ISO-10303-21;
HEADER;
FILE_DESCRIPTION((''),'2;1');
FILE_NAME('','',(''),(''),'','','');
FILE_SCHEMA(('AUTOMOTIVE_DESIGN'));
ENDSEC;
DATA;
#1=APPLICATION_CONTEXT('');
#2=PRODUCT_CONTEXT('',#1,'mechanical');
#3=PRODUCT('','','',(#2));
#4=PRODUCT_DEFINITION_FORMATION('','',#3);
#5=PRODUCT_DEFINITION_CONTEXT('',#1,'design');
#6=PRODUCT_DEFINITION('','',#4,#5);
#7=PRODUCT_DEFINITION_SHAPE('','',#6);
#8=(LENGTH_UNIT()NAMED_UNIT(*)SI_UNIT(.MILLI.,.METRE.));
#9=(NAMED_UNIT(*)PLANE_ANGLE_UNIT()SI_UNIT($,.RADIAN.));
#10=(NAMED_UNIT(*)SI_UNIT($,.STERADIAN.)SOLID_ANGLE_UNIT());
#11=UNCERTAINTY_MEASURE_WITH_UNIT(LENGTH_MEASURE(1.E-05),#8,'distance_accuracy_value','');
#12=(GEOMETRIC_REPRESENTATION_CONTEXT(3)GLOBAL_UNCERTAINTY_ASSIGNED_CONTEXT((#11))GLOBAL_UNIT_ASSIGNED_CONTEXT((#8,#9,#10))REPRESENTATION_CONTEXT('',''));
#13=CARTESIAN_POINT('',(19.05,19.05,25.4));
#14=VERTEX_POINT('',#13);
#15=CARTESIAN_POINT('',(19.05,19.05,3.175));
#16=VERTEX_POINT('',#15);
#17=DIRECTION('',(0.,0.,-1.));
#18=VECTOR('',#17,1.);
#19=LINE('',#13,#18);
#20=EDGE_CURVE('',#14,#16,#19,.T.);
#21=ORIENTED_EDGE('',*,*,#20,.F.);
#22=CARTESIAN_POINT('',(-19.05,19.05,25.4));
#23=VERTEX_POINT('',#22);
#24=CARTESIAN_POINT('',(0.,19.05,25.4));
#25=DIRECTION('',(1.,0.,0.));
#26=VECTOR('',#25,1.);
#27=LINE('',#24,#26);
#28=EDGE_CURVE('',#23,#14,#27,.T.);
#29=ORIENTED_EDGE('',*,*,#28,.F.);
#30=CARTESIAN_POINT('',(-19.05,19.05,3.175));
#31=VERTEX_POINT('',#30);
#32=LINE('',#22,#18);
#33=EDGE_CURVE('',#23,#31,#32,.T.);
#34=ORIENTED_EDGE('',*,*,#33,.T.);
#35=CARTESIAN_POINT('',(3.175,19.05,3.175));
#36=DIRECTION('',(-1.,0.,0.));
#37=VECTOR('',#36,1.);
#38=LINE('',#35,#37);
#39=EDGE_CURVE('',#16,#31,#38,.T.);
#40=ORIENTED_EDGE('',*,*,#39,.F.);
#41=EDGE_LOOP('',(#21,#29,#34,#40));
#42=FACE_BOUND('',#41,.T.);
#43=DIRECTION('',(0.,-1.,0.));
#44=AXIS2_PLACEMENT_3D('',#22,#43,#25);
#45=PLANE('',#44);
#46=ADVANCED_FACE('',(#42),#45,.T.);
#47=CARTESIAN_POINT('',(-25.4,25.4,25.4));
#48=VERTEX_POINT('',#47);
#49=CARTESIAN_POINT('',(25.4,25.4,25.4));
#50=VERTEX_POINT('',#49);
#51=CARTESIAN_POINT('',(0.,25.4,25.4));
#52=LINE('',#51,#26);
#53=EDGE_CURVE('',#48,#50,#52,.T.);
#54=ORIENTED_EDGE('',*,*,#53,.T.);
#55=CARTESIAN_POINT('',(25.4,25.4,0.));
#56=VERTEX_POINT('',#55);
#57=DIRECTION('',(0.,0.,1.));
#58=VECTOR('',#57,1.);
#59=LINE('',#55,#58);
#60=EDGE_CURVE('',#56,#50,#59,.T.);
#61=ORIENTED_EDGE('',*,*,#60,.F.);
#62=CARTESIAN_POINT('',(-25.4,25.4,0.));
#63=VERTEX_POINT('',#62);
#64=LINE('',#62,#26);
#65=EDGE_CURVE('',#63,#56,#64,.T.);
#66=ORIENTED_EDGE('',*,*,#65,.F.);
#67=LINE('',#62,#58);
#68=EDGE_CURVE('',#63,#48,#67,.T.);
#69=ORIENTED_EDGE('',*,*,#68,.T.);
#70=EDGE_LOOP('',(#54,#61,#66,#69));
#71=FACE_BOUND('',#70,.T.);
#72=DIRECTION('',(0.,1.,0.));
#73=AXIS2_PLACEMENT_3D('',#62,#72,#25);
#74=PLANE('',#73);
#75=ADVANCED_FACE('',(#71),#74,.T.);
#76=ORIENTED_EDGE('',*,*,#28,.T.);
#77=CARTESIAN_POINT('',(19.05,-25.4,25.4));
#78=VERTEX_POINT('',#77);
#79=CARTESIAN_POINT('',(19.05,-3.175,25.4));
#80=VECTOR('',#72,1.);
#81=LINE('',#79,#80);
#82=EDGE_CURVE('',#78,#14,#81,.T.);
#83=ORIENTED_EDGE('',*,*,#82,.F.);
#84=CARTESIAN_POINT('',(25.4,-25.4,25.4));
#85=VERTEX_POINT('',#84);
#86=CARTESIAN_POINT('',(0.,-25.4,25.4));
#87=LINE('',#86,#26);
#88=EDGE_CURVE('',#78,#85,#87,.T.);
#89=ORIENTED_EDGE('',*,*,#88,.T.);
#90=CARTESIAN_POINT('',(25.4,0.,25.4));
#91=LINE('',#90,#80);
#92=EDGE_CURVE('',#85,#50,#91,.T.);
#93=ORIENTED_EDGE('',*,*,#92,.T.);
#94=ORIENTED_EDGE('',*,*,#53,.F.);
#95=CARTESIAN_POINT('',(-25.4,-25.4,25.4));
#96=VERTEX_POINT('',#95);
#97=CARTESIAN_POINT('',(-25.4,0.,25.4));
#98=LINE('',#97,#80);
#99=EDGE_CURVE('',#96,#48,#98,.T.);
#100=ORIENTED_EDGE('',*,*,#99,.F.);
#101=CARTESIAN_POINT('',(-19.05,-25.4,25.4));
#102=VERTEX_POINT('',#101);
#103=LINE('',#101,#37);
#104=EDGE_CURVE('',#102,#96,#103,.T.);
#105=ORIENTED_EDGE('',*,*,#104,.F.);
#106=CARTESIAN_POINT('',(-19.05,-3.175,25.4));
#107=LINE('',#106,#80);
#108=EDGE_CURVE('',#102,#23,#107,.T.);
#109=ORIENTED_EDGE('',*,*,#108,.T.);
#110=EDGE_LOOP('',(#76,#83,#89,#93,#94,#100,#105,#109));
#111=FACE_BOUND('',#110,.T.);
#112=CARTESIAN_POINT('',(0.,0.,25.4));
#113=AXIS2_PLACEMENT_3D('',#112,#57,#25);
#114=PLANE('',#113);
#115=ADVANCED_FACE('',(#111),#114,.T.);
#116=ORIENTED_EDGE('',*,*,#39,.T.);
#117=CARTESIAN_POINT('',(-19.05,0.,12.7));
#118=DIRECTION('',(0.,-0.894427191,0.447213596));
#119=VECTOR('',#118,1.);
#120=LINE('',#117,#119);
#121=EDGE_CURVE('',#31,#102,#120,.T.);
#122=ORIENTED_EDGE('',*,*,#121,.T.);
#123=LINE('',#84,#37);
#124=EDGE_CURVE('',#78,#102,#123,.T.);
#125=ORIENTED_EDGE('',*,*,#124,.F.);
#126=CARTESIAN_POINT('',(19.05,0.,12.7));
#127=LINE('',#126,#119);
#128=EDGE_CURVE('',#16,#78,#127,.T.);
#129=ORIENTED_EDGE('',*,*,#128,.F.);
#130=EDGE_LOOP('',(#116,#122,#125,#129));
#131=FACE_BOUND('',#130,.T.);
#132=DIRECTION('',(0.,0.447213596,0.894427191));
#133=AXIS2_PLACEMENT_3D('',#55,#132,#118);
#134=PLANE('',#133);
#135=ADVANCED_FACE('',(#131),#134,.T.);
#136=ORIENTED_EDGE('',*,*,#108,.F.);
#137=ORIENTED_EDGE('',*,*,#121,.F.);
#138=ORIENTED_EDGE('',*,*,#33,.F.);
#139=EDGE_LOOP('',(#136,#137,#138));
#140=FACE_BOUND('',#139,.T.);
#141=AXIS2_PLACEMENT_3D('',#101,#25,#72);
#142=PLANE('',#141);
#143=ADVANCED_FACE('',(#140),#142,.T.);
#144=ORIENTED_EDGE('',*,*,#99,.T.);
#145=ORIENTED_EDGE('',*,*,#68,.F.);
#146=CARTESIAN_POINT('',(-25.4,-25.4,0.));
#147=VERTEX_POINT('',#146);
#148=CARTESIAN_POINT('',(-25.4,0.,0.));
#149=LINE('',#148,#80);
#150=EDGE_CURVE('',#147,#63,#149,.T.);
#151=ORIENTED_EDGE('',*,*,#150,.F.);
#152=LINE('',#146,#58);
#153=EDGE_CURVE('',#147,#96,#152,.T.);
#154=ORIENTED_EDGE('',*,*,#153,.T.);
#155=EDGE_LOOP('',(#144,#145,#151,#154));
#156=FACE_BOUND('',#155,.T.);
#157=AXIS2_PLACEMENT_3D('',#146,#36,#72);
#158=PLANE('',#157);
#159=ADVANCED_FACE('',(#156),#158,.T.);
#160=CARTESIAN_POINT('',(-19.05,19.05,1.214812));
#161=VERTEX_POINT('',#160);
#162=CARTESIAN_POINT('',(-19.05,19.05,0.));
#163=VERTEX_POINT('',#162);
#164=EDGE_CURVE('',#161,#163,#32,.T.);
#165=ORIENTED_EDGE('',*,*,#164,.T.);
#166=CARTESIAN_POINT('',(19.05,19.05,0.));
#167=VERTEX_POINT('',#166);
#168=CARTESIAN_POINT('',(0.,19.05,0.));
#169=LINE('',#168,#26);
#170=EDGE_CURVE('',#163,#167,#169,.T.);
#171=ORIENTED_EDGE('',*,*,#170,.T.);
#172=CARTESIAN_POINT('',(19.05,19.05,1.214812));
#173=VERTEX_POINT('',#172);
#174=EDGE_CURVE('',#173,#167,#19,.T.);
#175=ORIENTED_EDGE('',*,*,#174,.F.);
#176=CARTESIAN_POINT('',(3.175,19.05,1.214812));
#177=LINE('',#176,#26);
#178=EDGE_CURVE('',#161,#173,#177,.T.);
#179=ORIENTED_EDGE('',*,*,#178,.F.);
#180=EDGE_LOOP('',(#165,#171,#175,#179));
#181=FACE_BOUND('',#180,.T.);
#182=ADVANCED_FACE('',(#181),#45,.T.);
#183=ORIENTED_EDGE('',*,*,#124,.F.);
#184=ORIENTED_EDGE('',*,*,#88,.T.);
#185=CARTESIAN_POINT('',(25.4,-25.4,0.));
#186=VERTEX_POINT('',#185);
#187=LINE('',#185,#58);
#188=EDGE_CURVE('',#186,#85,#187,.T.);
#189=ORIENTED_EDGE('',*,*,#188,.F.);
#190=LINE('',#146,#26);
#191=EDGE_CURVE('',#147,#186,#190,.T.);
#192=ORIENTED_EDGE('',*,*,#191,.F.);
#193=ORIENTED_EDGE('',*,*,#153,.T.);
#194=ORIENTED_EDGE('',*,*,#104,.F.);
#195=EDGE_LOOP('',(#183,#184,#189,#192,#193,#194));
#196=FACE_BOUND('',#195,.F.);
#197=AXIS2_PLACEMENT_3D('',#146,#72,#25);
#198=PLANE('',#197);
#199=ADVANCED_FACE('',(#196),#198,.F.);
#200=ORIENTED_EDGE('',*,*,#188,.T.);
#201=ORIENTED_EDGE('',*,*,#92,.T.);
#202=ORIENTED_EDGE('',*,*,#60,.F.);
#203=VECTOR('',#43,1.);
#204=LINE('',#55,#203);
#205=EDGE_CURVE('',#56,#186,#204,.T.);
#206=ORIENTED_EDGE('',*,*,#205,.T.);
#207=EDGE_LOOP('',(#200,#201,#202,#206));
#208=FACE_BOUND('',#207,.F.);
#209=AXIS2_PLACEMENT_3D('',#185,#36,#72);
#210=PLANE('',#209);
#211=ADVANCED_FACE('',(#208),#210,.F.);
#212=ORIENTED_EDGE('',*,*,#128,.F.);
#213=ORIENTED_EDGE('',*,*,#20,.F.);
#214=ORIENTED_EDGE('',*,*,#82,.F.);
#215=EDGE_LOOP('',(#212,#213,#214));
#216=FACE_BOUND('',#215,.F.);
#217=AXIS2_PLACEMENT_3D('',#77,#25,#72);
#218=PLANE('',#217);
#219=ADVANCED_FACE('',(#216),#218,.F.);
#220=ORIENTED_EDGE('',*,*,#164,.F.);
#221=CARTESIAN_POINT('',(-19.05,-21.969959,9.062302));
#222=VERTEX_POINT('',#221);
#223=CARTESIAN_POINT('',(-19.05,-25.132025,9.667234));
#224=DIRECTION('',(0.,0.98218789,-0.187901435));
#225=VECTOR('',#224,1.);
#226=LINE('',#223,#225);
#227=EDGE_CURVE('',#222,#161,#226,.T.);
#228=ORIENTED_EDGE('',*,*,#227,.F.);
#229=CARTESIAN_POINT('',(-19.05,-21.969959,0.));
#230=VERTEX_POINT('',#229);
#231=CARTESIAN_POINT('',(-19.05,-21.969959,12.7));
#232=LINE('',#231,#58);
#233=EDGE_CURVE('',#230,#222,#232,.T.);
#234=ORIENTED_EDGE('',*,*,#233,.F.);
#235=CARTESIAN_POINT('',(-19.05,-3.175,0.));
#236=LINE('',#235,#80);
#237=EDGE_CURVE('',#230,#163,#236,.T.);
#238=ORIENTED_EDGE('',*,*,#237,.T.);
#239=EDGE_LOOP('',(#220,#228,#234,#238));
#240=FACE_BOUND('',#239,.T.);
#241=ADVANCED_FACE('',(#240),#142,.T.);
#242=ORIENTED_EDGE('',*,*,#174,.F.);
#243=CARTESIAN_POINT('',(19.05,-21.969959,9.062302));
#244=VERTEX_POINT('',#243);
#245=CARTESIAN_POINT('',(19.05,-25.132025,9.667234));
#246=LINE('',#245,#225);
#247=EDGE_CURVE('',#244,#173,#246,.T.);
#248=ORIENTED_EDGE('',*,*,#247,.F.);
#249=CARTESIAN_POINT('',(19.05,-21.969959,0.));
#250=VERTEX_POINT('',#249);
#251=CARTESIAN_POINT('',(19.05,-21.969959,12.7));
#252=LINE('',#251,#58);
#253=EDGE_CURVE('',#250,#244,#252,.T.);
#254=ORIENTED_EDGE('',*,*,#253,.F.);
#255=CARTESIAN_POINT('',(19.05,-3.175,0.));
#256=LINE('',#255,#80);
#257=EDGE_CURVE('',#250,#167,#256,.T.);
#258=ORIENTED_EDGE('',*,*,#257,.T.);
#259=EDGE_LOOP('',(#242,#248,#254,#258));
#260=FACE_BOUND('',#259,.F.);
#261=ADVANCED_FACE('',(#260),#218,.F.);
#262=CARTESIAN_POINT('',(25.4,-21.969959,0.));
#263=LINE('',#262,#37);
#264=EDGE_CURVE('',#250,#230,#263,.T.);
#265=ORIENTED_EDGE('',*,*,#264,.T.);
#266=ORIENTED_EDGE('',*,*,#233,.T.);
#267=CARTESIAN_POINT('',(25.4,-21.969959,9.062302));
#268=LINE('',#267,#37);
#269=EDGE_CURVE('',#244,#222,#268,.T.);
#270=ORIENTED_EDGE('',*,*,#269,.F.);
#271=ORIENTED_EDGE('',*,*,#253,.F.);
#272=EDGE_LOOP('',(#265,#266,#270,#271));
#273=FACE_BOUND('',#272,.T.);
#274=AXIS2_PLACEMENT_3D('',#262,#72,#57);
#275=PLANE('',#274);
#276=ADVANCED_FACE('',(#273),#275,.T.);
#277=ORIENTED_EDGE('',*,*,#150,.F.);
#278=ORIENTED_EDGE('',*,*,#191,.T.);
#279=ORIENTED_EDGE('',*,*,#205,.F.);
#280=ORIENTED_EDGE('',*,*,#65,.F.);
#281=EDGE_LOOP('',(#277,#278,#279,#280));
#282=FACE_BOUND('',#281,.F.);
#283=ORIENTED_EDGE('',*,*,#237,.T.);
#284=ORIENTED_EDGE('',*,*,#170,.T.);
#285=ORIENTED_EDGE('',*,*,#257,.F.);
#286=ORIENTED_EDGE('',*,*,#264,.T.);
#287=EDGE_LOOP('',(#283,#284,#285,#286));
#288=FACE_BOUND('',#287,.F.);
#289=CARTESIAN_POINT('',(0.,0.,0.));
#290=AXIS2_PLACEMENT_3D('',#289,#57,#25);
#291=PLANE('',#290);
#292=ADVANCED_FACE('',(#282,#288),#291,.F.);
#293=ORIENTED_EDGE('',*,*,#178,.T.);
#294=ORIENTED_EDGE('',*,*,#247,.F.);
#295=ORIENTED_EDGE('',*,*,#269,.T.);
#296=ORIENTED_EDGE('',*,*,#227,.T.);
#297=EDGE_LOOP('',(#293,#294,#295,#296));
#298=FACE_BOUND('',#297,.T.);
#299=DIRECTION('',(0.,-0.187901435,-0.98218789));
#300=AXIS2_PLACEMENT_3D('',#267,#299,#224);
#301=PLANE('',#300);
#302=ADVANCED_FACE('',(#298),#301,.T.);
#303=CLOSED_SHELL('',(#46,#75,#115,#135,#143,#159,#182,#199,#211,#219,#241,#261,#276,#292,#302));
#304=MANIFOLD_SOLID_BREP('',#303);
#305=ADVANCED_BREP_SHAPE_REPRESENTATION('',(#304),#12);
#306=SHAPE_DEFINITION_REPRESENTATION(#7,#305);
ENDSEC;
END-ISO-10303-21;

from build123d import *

# Parameters (mm, degrees)
F0_W     = 50.8
F0_H     = 50.8
F1_DEPTH = 25.4
F2_W     = 38.1
F2_H     = 44.45
F3_DEPTH = 25.4
F5_DEPTH = 47.752


with BuildPart() as f1:
    # F0 (on Top) → F1 (new body)
    with BuildSketch(Plane.XY):
        Rectangle(F0_W, F0_H)
    extrude(amount=F1_DEPTH)

    # F2 (on face) → F3 (cut)
    with BuildSketch(Plane.XY.offset(25.4)):
        with Locations((0, -3.175)):
            Rectangle(F2_W, F2_H)
    extrude(amount=-F3_DEPTH, mode=Mode.SUBTRACT)

    # F4 (on face) → F5 (join)
    with BuildSketch(Plane.YZ.offset(25.4)):
        Polygon((25.4, 0), (-25.4, 25.4), (-25.4, 0), (-21.969959, 0), (-21.969959, 9.062302), align=None)
    extrude(amount=-F5_DEPTH)


solid = f1.part
